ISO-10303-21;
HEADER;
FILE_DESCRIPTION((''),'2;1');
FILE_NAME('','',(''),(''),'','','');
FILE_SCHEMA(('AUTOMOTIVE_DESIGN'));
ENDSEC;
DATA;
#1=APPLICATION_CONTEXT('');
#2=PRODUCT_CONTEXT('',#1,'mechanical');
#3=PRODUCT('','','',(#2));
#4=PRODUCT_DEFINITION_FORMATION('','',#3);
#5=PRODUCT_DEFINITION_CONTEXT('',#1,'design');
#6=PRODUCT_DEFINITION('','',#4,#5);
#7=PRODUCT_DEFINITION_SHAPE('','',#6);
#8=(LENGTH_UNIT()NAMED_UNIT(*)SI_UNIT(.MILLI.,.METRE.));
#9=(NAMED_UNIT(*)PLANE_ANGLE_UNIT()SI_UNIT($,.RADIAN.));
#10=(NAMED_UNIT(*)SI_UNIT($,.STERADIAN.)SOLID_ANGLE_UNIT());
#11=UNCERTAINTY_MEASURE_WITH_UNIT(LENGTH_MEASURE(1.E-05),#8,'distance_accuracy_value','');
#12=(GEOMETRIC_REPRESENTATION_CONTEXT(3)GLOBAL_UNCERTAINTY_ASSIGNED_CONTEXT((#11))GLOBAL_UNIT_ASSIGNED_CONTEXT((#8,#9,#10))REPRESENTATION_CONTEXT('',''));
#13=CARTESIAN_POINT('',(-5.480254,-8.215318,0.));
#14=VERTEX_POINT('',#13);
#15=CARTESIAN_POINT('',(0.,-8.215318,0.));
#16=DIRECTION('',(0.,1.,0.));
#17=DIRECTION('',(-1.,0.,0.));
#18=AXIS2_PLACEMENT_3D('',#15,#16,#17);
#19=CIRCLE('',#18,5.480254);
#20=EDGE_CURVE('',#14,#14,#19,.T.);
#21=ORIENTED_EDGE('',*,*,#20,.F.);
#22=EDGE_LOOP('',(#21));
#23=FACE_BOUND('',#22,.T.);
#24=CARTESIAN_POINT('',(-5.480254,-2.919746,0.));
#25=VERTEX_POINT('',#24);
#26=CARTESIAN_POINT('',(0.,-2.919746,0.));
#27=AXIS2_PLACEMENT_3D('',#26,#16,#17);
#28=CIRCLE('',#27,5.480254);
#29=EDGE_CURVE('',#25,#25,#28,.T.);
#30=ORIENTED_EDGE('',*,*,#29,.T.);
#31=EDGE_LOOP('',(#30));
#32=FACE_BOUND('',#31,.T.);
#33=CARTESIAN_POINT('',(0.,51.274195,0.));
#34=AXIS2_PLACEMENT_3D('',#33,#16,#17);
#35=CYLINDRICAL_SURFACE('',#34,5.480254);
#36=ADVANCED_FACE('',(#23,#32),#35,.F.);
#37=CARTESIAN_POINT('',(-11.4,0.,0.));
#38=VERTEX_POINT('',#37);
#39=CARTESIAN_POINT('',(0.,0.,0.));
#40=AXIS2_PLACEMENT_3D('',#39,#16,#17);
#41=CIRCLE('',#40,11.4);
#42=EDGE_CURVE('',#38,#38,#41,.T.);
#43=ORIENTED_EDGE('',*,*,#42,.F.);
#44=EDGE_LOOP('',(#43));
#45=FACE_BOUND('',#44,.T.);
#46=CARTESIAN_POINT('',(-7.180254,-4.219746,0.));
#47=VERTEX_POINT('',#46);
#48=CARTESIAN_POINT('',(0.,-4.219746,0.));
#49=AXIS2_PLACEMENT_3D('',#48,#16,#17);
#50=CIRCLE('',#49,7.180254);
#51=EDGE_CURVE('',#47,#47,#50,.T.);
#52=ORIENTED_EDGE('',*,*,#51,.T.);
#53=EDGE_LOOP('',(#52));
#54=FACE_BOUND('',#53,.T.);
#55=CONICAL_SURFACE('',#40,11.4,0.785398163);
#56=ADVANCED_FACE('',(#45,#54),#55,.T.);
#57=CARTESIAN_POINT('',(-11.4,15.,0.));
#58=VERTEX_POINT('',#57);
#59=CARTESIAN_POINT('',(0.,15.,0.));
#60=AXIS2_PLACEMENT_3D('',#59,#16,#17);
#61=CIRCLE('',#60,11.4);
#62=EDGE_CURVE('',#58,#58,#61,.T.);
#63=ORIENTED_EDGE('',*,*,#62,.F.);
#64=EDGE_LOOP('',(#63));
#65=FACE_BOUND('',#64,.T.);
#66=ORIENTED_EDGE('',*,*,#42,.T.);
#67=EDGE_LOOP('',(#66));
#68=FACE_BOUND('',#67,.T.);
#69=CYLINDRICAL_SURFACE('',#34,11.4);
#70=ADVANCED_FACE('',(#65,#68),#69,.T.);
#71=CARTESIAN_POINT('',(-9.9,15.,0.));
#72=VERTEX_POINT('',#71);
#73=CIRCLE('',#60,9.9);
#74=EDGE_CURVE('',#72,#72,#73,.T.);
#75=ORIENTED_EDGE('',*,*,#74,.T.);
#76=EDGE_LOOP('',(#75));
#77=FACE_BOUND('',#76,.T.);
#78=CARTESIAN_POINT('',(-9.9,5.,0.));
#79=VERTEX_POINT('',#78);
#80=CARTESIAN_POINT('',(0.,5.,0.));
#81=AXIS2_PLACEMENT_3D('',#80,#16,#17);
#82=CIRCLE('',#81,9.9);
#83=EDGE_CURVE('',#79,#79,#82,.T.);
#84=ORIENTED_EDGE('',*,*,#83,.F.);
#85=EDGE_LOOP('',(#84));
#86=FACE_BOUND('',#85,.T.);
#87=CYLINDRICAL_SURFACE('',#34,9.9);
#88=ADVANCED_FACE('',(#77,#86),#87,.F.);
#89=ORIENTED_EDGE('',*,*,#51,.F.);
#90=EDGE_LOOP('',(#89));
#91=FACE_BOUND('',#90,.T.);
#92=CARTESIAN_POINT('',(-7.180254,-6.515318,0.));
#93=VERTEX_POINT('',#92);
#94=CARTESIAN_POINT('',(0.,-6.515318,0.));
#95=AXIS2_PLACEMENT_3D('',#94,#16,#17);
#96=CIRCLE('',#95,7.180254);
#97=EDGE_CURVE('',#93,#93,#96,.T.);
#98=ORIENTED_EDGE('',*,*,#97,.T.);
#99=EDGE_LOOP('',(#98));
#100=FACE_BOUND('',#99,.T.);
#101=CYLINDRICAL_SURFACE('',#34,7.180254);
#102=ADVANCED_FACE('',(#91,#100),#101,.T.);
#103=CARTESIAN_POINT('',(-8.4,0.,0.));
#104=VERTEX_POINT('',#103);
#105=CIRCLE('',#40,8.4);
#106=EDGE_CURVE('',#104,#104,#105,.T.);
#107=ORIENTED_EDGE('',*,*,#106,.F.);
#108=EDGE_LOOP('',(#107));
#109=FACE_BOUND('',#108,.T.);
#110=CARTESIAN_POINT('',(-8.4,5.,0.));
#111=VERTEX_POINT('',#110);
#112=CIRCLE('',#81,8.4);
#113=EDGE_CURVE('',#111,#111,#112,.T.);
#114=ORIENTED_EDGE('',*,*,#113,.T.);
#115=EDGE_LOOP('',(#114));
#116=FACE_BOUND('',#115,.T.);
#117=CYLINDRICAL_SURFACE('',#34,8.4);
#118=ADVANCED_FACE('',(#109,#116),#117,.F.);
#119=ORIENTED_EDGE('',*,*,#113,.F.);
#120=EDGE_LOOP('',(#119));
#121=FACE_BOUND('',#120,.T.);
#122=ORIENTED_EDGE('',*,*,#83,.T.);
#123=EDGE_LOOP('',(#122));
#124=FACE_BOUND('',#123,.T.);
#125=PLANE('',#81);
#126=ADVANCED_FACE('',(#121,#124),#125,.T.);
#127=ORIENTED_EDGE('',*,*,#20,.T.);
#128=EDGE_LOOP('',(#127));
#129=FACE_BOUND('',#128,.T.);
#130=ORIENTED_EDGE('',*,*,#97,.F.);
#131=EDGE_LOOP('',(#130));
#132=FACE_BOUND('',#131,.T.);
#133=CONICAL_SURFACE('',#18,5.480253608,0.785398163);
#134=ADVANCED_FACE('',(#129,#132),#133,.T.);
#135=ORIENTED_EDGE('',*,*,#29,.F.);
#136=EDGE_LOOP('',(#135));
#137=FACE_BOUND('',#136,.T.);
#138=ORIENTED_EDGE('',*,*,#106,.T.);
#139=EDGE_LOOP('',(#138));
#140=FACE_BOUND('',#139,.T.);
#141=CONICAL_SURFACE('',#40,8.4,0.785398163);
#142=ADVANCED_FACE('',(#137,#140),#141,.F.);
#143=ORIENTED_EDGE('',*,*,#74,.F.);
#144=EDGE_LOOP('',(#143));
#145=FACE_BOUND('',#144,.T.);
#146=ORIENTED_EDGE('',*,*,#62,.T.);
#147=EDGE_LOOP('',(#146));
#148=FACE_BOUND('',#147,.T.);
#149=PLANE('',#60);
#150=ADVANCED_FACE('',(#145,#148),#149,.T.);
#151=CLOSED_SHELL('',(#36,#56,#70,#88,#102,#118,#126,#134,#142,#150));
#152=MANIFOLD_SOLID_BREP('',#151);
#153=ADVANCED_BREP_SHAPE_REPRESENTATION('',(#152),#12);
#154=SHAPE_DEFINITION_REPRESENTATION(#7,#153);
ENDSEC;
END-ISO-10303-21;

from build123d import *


with BuildPart() as part:
    # Sketch1 → Revolve1 (revolve)
    with BuildSketch(Plane.XY, mode=Mode.PRIVATE) as revolve1_sk:
        Polygon((7.180253608, -6.515318278), (7.180253608, -4.219746392), (5.480253608, -5.919746392), (5.480253608, -8.215318278), align=None)
        Polygon((7.4, -1), (5.480253608, -2.919746392), (5.480253608, -5.919746392), (7.4, -4), align=None)
        Polygon((7.4, -1), (7.4, -4), (11.4, 0), (11.4, 3), (8.4, 0), align=None)
        Polygon((8.4, 0), (11.4, 3), (11.4, 15), (9.9, 15), (9.9, 5), (8.4, 5), align=None)
    revolve(revolve1_sk.sketch.rotate(Axis((0, 51.27419464, 0), (0, -1, 0)), 180), axis=Axis((0, 51.27419464, 0), (0, -1, 0)))


solid = part.part
